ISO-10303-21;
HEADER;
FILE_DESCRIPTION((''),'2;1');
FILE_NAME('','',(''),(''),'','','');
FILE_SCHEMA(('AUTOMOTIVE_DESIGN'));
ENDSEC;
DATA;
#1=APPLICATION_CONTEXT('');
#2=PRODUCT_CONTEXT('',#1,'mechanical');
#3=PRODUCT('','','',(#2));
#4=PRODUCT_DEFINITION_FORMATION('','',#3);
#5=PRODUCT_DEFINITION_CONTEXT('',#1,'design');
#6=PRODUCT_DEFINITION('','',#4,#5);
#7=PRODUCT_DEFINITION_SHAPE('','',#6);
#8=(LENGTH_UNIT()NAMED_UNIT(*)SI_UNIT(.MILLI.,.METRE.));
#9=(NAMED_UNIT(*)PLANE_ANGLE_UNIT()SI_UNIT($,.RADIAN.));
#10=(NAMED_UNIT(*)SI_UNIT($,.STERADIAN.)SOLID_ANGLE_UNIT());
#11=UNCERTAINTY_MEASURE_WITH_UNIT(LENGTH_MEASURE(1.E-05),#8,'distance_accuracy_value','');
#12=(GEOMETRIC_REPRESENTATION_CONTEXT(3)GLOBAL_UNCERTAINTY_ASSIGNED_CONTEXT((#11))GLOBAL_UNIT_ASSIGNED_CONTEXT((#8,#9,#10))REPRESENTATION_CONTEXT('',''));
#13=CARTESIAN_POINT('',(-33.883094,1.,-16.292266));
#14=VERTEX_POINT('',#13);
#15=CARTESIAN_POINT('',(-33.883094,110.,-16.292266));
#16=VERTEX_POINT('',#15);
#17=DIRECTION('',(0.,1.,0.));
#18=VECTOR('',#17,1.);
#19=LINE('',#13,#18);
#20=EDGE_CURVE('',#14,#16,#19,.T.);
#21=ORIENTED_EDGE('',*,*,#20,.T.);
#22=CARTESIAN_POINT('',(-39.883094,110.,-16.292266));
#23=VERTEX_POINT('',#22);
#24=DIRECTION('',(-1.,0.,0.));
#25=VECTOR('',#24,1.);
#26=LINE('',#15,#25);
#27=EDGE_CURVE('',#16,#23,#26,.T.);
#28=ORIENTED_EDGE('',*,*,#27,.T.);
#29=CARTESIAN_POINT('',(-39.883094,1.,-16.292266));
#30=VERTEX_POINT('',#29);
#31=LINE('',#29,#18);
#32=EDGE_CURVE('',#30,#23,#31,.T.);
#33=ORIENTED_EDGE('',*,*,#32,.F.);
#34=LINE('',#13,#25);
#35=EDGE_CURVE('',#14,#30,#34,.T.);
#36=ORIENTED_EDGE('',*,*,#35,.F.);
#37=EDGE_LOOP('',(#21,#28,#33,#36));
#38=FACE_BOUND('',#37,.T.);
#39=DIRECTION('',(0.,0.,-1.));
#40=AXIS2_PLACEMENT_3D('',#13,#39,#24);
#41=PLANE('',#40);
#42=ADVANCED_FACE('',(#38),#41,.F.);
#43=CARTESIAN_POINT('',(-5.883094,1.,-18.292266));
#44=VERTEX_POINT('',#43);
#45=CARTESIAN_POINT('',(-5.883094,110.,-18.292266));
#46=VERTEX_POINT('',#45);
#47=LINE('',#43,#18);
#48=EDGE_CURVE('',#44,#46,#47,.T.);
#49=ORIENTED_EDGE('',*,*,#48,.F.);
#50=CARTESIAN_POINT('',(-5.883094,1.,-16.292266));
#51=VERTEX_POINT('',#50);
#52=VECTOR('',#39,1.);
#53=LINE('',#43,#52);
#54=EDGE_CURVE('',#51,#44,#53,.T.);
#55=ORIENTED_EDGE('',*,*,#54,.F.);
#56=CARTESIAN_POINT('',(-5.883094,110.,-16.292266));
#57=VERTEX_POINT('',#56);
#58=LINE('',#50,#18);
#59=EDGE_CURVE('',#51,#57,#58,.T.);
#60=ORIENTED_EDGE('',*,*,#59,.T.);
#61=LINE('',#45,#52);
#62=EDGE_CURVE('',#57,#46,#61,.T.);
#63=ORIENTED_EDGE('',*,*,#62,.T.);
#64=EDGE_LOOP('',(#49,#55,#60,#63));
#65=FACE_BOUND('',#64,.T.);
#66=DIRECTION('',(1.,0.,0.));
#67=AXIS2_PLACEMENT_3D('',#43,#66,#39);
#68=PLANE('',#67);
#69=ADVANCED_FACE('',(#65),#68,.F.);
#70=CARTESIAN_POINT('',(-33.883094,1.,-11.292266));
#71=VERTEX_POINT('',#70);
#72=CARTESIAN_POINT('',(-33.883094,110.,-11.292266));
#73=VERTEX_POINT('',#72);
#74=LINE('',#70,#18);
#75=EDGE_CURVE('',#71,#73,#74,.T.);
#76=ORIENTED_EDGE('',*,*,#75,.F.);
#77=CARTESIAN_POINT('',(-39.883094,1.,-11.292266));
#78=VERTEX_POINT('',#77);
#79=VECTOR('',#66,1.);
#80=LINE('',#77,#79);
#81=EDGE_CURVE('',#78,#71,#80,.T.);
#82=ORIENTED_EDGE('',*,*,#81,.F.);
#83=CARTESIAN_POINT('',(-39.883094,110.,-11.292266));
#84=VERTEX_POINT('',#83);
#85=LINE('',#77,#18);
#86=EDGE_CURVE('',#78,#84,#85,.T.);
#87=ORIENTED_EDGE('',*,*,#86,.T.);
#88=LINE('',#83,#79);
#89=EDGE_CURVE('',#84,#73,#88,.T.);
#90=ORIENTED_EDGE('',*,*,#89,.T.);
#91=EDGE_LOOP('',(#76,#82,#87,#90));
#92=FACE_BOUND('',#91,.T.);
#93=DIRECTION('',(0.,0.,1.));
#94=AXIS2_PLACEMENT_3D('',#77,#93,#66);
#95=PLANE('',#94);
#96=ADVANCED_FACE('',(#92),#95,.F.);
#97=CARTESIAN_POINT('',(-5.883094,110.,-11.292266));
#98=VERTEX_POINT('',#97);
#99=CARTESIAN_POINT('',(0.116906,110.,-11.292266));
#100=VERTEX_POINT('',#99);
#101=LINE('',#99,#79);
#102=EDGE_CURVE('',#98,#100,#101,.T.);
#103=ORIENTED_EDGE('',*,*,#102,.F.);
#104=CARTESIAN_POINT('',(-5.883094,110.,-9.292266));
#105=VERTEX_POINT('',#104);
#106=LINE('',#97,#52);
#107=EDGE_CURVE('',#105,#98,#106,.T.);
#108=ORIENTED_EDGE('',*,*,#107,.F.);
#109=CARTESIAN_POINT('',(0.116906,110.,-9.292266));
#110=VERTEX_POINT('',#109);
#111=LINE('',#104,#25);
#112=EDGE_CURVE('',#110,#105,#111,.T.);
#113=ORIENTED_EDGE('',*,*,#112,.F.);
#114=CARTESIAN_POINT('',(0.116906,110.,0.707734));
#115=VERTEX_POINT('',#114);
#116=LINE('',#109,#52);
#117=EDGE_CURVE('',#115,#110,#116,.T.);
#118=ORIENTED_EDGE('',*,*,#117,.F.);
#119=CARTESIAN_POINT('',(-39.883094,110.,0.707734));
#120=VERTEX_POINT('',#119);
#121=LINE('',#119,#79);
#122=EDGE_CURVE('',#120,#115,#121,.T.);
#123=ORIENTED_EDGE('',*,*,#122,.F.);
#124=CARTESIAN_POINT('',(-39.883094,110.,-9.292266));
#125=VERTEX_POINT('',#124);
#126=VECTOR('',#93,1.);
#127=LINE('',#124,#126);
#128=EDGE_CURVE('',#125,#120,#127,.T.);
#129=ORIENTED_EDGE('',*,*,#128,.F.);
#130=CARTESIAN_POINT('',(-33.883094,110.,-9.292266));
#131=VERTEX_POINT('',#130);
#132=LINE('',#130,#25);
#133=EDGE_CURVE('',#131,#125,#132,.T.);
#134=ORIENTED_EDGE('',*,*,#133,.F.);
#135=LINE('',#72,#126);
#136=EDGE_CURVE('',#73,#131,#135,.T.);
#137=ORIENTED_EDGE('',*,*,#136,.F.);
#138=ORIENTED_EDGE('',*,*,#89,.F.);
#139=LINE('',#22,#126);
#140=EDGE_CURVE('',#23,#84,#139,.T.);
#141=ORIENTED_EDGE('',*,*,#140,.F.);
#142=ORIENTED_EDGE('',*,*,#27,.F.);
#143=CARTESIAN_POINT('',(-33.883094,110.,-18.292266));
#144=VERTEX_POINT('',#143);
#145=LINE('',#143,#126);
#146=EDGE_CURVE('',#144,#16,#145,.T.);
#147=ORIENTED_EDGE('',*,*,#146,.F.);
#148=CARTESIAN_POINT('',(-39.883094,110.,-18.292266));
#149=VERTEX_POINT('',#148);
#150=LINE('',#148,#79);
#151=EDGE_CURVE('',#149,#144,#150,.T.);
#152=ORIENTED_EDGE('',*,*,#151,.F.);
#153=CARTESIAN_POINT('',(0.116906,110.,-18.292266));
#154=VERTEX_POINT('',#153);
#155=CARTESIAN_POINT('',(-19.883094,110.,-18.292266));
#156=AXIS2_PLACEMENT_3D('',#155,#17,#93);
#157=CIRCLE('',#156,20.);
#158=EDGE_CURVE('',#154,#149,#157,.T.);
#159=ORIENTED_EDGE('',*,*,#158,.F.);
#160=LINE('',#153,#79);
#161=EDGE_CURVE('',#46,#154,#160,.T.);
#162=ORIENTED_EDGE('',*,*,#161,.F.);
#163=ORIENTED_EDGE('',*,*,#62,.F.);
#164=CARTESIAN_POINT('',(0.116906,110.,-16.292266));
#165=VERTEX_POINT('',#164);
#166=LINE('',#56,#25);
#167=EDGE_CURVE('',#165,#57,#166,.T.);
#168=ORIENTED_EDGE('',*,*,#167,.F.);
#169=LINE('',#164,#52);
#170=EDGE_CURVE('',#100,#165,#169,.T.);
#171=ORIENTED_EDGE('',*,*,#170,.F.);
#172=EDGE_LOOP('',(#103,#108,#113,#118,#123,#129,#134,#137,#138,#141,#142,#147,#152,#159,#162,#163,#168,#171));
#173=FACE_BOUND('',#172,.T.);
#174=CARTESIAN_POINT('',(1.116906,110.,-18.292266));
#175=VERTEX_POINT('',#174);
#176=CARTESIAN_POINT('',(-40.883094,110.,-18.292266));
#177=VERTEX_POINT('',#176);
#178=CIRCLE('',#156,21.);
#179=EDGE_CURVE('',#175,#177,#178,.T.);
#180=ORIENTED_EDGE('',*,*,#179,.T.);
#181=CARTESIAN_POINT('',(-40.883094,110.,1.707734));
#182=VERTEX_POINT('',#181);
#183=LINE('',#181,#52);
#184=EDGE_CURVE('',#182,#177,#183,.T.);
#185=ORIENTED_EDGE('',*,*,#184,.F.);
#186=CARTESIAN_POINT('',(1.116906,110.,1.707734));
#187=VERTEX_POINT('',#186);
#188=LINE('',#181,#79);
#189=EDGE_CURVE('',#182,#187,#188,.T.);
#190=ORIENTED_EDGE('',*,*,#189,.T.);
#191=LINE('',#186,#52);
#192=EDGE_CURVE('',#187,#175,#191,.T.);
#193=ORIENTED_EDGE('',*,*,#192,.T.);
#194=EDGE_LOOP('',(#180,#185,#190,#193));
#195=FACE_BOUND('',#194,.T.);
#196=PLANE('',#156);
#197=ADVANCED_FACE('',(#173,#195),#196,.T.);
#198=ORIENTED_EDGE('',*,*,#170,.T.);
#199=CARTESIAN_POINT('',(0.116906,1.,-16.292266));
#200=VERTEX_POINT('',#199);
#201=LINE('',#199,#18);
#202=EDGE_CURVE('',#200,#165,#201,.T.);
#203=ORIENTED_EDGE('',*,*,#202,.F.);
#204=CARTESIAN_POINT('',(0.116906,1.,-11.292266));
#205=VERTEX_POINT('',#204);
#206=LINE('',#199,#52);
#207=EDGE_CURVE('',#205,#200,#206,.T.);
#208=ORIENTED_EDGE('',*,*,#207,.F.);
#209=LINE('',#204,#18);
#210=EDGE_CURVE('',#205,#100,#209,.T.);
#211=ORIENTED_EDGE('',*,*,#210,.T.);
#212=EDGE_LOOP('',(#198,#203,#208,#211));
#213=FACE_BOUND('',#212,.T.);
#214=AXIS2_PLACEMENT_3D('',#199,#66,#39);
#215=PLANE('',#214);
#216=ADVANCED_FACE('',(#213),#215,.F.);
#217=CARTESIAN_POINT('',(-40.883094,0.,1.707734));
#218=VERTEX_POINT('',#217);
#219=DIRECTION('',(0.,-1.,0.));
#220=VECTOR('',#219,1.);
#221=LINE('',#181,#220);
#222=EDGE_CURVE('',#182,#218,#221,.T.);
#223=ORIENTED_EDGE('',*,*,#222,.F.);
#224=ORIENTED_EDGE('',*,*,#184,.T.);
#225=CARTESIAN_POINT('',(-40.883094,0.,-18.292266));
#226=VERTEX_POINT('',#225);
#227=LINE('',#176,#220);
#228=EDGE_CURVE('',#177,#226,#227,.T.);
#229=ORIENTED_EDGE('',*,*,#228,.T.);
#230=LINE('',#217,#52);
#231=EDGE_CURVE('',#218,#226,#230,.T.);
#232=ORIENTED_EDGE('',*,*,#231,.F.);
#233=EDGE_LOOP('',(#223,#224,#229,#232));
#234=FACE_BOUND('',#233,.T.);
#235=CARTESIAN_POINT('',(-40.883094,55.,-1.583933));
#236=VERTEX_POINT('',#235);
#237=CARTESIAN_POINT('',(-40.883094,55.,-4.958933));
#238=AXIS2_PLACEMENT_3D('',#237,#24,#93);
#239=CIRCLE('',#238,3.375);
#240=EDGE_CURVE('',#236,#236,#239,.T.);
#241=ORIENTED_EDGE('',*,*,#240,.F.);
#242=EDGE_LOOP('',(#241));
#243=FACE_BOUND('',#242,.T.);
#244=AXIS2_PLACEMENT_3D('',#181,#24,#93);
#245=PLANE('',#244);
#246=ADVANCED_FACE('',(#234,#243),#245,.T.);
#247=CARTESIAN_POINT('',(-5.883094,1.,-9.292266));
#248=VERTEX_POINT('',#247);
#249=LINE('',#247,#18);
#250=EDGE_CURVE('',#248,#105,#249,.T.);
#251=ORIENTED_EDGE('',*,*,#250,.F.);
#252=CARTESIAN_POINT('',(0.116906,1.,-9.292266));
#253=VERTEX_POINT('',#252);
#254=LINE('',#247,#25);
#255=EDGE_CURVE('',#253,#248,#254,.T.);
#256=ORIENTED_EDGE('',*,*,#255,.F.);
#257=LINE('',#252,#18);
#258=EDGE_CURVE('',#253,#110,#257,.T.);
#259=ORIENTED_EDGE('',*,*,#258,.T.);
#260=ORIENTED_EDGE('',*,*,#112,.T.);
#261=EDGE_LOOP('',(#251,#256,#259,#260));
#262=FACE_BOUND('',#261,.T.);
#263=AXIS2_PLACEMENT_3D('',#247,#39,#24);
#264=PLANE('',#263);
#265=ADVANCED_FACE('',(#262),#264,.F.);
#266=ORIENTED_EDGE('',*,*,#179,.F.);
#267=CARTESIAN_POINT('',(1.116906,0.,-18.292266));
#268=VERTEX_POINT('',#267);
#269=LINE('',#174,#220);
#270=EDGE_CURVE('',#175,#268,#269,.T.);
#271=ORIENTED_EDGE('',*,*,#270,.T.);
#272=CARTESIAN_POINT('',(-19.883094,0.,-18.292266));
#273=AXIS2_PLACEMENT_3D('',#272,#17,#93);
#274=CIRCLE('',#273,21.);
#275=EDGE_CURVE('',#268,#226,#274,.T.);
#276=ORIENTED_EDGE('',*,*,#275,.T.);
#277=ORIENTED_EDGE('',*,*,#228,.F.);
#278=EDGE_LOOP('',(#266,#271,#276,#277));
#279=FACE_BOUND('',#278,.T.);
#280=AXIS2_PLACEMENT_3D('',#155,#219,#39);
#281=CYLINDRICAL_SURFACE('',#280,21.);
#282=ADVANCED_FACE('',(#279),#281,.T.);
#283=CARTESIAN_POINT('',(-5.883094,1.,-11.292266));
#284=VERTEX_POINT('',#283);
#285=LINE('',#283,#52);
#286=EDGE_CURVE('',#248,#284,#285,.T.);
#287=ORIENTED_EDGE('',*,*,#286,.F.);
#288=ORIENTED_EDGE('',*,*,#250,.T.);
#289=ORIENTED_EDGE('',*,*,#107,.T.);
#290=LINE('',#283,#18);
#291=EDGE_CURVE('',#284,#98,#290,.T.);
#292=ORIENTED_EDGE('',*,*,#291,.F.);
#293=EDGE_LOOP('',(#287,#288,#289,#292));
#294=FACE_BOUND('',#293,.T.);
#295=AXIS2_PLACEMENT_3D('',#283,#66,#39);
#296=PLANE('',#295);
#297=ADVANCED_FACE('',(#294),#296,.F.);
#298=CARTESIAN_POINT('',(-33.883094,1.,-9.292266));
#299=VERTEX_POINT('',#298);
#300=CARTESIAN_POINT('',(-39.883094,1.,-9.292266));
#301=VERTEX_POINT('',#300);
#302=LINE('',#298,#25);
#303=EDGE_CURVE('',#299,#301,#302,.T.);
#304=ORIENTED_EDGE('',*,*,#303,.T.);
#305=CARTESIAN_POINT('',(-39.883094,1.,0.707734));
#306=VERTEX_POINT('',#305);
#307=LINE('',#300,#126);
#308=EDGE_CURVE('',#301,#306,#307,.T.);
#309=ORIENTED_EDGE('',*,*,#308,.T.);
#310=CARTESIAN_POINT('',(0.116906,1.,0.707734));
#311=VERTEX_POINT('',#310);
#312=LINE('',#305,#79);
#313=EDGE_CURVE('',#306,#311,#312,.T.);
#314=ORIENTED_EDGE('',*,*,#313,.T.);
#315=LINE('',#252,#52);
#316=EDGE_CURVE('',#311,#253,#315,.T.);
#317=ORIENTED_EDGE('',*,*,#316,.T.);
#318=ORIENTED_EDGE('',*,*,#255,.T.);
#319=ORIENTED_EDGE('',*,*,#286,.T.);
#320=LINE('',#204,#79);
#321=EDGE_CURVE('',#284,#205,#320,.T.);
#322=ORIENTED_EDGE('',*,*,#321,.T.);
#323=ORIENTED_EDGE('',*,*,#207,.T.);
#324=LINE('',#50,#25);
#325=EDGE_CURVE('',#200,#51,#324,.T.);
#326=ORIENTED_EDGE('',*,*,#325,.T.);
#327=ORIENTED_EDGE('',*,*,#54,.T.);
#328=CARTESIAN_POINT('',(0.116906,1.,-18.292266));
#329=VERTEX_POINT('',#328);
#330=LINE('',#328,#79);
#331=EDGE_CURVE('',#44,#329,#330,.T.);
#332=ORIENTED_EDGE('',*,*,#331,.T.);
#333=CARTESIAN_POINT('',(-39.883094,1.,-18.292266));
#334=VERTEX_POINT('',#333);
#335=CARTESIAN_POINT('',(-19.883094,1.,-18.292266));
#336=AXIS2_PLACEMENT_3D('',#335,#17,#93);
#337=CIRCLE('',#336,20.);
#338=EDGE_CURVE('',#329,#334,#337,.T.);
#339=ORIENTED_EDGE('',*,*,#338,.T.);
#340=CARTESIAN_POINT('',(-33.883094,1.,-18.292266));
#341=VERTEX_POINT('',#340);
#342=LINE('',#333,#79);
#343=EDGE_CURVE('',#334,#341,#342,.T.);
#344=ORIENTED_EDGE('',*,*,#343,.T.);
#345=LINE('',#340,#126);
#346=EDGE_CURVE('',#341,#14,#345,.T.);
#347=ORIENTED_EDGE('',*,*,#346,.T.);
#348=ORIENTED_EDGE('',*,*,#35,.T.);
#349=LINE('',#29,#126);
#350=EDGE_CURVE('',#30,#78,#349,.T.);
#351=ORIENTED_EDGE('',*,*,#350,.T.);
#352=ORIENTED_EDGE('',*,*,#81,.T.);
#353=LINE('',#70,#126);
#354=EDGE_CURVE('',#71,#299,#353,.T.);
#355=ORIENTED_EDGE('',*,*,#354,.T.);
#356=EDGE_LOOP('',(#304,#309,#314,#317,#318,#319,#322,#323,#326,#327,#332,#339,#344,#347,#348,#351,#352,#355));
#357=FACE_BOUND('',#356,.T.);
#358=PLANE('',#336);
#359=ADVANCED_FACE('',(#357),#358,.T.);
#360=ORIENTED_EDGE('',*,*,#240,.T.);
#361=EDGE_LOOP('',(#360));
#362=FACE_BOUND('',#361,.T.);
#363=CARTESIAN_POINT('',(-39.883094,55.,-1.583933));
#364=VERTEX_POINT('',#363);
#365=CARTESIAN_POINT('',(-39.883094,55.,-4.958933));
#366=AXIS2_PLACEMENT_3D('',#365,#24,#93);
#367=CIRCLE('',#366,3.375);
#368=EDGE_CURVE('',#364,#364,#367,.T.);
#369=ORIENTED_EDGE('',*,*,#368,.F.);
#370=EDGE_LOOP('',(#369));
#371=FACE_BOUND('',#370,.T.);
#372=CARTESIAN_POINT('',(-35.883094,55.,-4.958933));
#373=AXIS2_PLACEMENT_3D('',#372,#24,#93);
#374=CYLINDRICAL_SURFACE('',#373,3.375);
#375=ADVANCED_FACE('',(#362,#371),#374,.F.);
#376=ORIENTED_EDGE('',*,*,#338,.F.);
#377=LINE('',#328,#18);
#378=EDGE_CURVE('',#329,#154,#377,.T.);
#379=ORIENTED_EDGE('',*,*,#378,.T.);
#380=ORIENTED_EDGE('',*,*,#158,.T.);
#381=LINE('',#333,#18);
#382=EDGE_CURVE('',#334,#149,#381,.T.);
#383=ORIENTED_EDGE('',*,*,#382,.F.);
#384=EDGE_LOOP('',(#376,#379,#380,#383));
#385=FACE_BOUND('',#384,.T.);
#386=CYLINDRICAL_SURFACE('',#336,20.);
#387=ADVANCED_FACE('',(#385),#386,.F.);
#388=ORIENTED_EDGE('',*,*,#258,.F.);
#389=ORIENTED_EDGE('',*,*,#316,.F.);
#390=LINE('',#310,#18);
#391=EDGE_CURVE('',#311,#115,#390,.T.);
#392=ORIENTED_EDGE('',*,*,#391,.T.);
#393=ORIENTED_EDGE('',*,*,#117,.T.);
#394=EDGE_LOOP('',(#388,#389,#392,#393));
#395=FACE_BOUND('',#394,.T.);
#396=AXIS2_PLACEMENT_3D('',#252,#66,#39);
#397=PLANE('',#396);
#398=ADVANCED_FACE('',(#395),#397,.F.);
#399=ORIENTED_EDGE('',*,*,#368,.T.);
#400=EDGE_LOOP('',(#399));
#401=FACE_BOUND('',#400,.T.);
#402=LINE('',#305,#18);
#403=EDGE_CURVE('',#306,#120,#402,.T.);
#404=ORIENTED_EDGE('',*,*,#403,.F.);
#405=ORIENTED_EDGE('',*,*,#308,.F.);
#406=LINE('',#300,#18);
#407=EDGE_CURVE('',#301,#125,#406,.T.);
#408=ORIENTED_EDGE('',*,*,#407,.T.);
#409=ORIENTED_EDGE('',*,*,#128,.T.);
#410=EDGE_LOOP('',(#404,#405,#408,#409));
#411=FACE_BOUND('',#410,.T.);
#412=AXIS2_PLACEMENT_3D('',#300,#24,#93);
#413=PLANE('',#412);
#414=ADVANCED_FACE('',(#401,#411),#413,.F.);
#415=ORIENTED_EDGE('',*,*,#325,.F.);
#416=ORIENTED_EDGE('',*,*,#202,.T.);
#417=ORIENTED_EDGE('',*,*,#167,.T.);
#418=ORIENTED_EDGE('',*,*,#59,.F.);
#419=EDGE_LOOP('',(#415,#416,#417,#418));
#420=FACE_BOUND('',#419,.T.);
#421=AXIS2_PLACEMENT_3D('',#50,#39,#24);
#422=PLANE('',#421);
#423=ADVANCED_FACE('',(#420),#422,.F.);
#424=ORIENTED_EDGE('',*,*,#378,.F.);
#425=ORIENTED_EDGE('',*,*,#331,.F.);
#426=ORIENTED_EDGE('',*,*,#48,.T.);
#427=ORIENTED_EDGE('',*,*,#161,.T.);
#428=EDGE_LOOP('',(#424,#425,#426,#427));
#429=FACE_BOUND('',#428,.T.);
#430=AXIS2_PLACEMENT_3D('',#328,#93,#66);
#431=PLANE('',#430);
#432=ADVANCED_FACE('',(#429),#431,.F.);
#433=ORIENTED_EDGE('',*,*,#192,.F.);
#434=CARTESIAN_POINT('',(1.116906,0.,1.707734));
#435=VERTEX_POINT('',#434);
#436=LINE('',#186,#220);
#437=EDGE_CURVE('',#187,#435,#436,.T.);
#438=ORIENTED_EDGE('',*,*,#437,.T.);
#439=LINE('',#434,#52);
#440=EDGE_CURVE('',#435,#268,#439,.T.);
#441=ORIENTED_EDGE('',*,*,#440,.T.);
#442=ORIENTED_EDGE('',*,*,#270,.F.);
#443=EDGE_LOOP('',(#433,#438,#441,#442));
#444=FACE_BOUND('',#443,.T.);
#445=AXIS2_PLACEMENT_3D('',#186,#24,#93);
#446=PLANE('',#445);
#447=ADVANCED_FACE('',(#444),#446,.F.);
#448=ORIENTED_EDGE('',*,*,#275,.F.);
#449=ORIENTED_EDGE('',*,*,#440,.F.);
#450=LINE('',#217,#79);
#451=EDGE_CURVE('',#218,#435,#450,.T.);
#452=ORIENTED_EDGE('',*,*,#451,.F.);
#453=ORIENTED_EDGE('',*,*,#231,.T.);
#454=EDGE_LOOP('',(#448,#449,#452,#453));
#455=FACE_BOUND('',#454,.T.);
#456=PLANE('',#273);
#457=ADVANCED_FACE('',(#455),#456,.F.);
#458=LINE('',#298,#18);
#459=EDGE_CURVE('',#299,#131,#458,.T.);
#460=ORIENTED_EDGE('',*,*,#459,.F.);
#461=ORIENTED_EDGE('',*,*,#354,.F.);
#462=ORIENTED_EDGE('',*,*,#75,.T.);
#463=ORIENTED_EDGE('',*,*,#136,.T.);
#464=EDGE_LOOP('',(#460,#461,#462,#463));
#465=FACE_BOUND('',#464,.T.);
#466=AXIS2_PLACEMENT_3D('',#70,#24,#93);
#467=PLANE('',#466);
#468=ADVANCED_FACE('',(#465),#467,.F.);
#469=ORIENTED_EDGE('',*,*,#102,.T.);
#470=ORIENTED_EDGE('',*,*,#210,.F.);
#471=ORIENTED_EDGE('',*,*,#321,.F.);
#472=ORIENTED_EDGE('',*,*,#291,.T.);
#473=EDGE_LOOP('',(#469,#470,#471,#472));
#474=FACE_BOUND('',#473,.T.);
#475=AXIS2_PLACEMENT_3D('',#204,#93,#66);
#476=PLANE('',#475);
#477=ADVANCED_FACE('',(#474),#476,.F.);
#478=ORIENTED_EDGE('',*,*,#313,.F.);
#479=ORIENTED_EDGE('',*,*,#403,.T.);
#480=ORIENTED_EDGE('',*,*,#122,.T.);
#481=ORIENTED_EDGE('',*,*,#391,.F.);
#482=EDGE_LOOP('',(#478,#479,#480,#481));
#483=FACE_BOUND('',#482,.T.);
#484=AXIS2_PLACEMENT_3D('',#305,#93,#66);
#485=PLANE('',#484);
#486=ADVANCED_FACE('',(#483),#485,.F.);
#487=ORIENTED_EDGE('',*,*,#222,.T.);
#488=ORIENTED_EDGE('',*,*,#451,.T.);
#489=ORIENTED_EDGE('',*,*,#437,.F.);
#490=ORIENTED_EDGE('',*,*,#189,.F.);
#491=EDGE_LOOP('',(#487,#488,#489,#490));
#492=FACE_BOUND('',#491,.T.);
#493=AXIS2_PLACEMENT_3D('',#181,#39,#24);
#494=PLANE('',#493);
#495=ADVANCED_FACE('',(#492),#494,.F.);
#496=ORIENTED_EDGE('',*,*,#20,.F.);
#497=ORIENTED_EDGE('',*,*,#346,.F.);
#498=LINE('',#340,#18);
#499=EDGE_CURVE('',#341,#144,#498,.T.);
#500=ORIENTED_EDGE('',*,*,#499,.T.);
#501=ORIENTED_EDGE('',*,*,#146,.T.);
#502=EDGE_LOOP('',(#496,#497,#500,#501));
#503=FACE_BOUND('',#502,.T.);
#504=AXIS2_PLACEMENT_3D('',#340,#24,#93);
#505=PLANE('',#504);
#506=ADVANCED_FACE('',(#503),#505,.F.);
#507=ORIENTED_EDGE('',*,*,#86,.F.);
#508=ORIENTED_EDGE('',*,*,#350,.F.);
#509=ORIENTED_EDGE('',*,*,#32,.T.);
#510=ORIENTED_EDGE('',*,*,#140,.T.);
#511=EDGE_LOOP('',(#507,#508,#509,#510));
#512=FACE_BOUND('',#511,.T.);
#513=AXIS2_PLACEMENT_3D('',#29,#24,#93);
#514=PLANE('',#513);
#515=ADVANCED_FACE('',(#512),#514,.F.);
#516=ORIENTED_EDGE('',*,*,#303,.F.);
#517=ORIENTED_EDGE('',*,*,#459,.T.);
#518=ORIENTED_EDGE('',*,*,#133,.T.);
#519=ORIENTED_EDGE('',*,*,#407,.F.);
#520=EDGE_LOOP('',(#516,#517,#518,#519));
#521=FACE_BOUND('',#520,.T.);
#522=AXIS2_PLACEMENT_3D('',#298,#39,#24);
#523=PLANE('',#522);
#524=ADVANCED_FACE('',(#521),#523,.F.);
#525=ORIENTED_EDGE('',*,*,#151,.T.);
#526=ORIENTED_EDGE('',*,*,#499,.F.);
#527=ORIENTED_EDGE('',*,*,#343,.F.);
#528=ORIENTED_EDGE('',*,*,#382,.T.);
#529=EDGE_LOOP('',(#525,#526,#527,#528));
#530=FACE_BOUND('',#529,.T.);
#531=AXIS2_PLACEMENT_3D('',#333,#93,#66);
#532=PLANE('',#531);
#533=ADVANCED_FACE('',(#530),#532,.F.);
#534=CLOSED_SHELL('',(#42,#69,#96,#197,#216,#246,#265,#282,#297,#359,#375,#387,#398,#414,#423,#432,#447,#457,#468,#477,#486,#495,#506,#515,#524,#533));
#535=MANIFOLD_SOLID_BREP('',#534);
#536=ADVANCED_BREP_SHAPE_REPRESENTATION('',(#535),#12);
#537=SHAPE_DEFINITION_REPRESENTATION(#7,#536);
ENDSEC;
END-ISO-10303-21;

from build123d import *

# Parameters (mm, degrees)
BOSS_EXTRUDE1_DEPTH = 110
CUT_EXTRUDE1_DEPTH  = 109
SKETCH3_R           = 3.375
CUT_EXTRUDE2_DEPTH  = 5


with BuildPart() as part:
    # Sketch1 → Boss-Extrude1 (new body)
    with BuildSketch(Plane(origin=(0, 0, 0), x_dir=(1, 0, 0), z_dir=(0, 1, 0))):
        with BuildLine():
            Line((-40.883093525, -1.707733813), (1.116906475, -1.707733813))
            Line((1.116906475, -1.707733813), (1.116906475, 18.292266187))
            ThreePointArc((1.116906475, 18.292266187), (-19.883093525, 39.292266187), (-40.883093525, 18.292266187))
            Line((-40.883093525, 18.292266187), (-40.883093525, -1.707733813))
        make_face()
    extrude(amount=BOSS_EXTRUDE1_DEPTH)

    # Sketch2 → Cut-Extrude1 (cut)
    with BuildSketch(Plane(origin=(0, 110, 0), x_dir=(1, 0, 0), z_dir=(0, 1, 0))):
        with BuildLine():
            Line((-39.883093525, 16.292266187), (-39.883093525, 11.292266187))
            Line((-39.883093525, 11.292266187), (-33.883093525, 11.292266187))
            Line((-33.883093525, 11.292266187), (-33.883093525, 9.292266187))
            Line((-33.883093525, 9.292266187), (-39.883093525, 9.292266187))
            Line((-39.883093525, 9.292266187), (-39.883093525, -0.707733813))
            Line((-39.883093525, -0.707733813), (0.116906475, -0.707733813))
            Line((0.116906475, -0.707733813), (0.116906475, 9.292266187))
            Line((0.116906475, 9.292266187), (-5.883093525, 9.292266187))
            Line((-5.883093525, 9.292266187), (-5.883093525, 11.292266187))
            Line((-5.883093525, 11.292266187), (0.116906475, 11.292266187))
            Line((0.116906475, 11.292266187), (0.116906475, 16.292266187))
            Line((0.116906475, 16.292266187), (-5.883093525, 16.292266187))
            Line((-5.883093525, 16.292266187), (-5.883093525, 18.292266187))
            Line((-5.883093525, 18.292266187), (0.116906475, 18.292266187))
            ThreePointArc((0.116906475, 18.292266187), (-19.883093525, 38.292266187), (-39.883093525, 18.292266187))
            Line((-39.883093525, 18.292266187), (-33.883093525, 18.292266187))
            Line((-33.883093525, 18.292266187), (-33.883093525, 16.292266187))
            Line((-33.883093525, 16.292266187), (-39.883093525, 16.292266187))
        make_face()
    extrude(amount=-CUT_EXTRUDE1_DEPTH, mode=Mode.SUBTRACT)

    # Sketch3 → Cut-Extrude2 (cut)
    with BuildSketch(Plane.ZY.offset(40.883093525)):
        with Locations((-4.958932854, 55)):
            Circle(SKETCH3_R)
    extrude(amount=-CUT_EXTRUDE2_DEPTH, mode=Mode.SUBTRACT)


solid = part.part
